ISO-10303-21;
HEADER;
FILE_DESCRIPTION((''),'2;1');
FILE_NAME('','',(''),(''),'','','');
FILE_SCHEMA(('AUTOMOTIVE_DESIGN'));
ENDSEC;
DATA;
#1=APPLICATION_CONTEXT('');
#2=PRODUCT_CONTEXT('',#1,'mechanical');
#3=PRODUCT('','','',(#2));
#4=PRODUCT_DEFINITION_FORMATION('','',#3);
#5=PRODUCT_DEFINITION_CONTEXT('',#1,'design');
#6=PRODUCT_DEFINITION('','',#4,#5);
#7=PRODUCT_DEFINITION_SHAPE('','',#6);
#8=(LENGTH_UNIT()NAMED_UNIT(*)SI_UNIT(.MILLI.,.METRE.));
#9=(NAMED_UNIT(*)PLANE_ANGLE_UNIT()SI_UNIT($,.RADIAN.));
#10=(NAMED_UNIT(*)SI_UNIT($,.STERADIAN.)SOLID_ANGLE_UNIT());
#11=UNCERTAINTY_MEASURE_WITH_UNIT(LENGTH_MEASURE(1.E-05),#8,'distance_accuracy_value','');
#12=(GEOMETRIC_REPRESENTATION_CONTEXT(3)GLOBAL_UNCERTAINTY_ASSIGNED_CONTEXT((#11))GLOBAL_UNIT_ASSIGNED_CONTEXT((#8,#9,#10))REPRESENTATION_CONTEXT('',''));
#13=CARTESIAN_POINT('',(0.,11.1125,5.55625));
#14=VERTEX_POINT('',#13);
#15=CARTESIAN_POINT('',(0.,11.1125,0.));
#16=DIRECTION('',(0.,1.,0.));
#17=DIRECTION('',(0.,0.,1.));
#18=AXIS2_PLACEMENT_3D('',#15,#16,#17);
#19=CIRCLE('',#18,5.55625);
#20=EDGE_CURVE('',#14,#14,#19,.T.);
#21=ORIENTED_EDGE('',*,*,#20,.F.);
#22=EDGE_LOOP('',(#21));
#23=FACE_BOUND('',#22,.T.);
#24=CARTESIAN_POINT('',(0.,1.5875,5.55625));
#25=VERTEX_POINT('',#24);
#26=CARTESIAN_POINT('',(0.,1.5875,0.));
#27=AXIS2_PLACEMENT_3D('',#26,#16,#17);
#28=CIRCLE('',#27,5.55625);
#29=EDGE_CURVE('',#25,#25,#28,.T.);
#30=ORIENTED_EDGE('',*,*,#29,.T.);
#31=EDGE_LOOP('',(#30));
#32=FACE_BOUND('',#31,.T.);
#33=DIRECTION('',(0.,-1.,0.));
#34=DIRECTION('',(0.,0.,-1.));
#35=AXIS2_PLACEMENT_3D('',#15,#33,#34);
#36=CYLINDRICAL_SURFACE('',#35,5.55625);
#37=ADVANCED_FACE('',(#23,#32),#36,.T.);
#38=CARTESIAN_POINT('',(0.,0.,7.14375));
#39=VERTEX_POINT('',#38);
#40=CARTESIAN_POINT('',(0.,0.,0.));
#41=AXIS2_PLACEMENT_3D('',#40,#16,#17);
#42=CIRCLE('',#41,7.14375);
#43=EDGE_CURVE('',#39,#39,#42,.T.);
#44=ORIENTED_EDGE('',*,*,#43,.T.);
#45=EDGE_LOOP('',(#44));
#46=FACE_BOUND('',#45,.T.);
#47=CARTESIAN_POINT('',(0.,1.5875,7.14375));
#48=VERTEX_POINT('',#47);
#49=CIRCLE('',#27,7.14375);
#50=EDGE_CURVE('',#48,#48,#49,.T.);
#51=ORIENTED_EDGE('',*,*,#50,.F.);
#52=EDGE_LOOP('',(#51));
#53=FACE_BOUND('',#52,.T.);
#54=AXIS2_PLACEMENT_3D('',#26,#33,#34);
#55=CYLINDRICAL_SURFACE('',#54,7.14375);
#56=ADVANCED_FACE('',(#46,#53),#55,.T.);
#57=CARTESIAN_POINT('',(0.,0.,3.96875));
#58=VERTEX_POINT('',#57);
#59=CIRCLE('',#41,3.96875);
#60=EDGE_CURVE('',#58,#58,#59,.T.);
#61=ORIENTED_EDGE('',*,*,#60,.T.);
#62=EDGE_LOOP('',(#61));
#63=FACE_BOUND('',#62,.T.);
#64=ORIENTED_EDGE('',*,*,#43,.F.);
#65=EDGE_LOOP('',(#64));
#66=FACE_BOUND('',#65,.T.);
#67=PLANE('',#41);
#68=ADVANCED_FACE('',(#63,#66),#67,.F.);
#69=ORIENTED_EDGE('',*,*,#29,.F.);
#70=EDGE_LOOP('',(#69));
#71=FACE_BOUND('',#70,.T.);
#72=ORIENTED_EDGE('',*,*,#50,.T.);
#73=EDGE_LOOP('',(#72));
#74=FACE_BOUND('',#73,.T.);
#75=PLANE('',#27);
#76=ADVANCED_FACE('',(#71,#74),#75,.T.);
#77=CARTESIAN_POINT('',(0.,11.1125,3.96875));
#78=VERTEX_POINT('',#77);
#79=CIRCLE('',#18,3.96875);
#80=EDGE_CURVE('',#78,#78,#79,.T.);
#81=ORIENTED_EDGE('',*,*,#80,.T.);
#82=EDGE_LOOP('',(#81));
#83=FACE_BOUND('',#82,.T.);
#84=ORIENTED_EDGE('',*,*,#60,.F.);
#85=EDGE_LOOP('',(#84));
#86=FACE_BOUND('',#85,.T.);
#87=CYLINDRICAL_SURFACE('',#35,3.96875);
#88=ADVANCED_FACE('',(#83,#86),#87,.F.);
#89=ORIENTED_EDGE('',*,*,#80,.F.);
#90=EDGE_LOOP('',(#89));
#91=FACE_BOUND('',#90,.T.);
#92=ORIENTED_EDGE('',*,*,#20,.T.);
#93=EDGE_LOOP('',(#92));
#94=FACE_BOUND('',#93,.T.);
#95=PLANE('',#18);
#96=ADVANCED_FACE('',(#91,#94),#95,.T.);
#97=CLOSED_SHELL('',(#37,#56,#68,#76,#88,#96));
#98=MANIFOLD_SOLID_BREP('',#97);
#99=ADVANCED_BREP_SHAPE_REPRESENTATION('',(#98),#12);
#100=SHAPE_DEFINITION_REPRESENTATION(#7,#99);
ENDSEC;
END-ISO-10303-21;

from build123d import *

# Parameters (mm, degrees)
SKETCH2_R           = 5.55625
SKETCH2_R_2         = 3.96875
BOSS_EXTRUDE1_DEPTH = 11.1125
SKETCH3_R           = 7.14375
SKETCH3_R_2         = 5.55625
BOSS_EXTRUDE2_DEPTH = 1.5875


with BuildPart() as part:
    # Sketch2 → Boss-Extrude1 (new body)
    with BuildSketch(Plane(origin=(0, 0, 0), x_dir=(1, 0, 0), z_dir=(0, 1, 0))):
        with Locations(Location((0, 0, 0), (0, 0, 270))):
            Circle(SKETCH2_R)
        with Locations(Location((0, 0, 0), (0, 0, 270))):
            Circle(SKETCH2_R_2, mode=Mode.SUBTRACT)
    extrude(amount=BOSS_EXTRUDE1_DEPTH)

    # Sketch3 → Boss-Extrude2 (add)
    with BuildSketch(Plane(origin=(0, 0, 0), x_dir=(1, 0, 0), z_dir=(0, 1, 0))):
        with Locations(Location((0, 0, 0), (0, 0, 270))):
            Circle(SKETCH3_R)
        with Locations(Location((0, 0, 0), (0, 0, 270))):
            Circle(SKETCH3_R_2, mode=Mode.SUBTRACT)
    extrude(amount=BOSS_EXTRUDE2_DEPTH)


solid = part.part
